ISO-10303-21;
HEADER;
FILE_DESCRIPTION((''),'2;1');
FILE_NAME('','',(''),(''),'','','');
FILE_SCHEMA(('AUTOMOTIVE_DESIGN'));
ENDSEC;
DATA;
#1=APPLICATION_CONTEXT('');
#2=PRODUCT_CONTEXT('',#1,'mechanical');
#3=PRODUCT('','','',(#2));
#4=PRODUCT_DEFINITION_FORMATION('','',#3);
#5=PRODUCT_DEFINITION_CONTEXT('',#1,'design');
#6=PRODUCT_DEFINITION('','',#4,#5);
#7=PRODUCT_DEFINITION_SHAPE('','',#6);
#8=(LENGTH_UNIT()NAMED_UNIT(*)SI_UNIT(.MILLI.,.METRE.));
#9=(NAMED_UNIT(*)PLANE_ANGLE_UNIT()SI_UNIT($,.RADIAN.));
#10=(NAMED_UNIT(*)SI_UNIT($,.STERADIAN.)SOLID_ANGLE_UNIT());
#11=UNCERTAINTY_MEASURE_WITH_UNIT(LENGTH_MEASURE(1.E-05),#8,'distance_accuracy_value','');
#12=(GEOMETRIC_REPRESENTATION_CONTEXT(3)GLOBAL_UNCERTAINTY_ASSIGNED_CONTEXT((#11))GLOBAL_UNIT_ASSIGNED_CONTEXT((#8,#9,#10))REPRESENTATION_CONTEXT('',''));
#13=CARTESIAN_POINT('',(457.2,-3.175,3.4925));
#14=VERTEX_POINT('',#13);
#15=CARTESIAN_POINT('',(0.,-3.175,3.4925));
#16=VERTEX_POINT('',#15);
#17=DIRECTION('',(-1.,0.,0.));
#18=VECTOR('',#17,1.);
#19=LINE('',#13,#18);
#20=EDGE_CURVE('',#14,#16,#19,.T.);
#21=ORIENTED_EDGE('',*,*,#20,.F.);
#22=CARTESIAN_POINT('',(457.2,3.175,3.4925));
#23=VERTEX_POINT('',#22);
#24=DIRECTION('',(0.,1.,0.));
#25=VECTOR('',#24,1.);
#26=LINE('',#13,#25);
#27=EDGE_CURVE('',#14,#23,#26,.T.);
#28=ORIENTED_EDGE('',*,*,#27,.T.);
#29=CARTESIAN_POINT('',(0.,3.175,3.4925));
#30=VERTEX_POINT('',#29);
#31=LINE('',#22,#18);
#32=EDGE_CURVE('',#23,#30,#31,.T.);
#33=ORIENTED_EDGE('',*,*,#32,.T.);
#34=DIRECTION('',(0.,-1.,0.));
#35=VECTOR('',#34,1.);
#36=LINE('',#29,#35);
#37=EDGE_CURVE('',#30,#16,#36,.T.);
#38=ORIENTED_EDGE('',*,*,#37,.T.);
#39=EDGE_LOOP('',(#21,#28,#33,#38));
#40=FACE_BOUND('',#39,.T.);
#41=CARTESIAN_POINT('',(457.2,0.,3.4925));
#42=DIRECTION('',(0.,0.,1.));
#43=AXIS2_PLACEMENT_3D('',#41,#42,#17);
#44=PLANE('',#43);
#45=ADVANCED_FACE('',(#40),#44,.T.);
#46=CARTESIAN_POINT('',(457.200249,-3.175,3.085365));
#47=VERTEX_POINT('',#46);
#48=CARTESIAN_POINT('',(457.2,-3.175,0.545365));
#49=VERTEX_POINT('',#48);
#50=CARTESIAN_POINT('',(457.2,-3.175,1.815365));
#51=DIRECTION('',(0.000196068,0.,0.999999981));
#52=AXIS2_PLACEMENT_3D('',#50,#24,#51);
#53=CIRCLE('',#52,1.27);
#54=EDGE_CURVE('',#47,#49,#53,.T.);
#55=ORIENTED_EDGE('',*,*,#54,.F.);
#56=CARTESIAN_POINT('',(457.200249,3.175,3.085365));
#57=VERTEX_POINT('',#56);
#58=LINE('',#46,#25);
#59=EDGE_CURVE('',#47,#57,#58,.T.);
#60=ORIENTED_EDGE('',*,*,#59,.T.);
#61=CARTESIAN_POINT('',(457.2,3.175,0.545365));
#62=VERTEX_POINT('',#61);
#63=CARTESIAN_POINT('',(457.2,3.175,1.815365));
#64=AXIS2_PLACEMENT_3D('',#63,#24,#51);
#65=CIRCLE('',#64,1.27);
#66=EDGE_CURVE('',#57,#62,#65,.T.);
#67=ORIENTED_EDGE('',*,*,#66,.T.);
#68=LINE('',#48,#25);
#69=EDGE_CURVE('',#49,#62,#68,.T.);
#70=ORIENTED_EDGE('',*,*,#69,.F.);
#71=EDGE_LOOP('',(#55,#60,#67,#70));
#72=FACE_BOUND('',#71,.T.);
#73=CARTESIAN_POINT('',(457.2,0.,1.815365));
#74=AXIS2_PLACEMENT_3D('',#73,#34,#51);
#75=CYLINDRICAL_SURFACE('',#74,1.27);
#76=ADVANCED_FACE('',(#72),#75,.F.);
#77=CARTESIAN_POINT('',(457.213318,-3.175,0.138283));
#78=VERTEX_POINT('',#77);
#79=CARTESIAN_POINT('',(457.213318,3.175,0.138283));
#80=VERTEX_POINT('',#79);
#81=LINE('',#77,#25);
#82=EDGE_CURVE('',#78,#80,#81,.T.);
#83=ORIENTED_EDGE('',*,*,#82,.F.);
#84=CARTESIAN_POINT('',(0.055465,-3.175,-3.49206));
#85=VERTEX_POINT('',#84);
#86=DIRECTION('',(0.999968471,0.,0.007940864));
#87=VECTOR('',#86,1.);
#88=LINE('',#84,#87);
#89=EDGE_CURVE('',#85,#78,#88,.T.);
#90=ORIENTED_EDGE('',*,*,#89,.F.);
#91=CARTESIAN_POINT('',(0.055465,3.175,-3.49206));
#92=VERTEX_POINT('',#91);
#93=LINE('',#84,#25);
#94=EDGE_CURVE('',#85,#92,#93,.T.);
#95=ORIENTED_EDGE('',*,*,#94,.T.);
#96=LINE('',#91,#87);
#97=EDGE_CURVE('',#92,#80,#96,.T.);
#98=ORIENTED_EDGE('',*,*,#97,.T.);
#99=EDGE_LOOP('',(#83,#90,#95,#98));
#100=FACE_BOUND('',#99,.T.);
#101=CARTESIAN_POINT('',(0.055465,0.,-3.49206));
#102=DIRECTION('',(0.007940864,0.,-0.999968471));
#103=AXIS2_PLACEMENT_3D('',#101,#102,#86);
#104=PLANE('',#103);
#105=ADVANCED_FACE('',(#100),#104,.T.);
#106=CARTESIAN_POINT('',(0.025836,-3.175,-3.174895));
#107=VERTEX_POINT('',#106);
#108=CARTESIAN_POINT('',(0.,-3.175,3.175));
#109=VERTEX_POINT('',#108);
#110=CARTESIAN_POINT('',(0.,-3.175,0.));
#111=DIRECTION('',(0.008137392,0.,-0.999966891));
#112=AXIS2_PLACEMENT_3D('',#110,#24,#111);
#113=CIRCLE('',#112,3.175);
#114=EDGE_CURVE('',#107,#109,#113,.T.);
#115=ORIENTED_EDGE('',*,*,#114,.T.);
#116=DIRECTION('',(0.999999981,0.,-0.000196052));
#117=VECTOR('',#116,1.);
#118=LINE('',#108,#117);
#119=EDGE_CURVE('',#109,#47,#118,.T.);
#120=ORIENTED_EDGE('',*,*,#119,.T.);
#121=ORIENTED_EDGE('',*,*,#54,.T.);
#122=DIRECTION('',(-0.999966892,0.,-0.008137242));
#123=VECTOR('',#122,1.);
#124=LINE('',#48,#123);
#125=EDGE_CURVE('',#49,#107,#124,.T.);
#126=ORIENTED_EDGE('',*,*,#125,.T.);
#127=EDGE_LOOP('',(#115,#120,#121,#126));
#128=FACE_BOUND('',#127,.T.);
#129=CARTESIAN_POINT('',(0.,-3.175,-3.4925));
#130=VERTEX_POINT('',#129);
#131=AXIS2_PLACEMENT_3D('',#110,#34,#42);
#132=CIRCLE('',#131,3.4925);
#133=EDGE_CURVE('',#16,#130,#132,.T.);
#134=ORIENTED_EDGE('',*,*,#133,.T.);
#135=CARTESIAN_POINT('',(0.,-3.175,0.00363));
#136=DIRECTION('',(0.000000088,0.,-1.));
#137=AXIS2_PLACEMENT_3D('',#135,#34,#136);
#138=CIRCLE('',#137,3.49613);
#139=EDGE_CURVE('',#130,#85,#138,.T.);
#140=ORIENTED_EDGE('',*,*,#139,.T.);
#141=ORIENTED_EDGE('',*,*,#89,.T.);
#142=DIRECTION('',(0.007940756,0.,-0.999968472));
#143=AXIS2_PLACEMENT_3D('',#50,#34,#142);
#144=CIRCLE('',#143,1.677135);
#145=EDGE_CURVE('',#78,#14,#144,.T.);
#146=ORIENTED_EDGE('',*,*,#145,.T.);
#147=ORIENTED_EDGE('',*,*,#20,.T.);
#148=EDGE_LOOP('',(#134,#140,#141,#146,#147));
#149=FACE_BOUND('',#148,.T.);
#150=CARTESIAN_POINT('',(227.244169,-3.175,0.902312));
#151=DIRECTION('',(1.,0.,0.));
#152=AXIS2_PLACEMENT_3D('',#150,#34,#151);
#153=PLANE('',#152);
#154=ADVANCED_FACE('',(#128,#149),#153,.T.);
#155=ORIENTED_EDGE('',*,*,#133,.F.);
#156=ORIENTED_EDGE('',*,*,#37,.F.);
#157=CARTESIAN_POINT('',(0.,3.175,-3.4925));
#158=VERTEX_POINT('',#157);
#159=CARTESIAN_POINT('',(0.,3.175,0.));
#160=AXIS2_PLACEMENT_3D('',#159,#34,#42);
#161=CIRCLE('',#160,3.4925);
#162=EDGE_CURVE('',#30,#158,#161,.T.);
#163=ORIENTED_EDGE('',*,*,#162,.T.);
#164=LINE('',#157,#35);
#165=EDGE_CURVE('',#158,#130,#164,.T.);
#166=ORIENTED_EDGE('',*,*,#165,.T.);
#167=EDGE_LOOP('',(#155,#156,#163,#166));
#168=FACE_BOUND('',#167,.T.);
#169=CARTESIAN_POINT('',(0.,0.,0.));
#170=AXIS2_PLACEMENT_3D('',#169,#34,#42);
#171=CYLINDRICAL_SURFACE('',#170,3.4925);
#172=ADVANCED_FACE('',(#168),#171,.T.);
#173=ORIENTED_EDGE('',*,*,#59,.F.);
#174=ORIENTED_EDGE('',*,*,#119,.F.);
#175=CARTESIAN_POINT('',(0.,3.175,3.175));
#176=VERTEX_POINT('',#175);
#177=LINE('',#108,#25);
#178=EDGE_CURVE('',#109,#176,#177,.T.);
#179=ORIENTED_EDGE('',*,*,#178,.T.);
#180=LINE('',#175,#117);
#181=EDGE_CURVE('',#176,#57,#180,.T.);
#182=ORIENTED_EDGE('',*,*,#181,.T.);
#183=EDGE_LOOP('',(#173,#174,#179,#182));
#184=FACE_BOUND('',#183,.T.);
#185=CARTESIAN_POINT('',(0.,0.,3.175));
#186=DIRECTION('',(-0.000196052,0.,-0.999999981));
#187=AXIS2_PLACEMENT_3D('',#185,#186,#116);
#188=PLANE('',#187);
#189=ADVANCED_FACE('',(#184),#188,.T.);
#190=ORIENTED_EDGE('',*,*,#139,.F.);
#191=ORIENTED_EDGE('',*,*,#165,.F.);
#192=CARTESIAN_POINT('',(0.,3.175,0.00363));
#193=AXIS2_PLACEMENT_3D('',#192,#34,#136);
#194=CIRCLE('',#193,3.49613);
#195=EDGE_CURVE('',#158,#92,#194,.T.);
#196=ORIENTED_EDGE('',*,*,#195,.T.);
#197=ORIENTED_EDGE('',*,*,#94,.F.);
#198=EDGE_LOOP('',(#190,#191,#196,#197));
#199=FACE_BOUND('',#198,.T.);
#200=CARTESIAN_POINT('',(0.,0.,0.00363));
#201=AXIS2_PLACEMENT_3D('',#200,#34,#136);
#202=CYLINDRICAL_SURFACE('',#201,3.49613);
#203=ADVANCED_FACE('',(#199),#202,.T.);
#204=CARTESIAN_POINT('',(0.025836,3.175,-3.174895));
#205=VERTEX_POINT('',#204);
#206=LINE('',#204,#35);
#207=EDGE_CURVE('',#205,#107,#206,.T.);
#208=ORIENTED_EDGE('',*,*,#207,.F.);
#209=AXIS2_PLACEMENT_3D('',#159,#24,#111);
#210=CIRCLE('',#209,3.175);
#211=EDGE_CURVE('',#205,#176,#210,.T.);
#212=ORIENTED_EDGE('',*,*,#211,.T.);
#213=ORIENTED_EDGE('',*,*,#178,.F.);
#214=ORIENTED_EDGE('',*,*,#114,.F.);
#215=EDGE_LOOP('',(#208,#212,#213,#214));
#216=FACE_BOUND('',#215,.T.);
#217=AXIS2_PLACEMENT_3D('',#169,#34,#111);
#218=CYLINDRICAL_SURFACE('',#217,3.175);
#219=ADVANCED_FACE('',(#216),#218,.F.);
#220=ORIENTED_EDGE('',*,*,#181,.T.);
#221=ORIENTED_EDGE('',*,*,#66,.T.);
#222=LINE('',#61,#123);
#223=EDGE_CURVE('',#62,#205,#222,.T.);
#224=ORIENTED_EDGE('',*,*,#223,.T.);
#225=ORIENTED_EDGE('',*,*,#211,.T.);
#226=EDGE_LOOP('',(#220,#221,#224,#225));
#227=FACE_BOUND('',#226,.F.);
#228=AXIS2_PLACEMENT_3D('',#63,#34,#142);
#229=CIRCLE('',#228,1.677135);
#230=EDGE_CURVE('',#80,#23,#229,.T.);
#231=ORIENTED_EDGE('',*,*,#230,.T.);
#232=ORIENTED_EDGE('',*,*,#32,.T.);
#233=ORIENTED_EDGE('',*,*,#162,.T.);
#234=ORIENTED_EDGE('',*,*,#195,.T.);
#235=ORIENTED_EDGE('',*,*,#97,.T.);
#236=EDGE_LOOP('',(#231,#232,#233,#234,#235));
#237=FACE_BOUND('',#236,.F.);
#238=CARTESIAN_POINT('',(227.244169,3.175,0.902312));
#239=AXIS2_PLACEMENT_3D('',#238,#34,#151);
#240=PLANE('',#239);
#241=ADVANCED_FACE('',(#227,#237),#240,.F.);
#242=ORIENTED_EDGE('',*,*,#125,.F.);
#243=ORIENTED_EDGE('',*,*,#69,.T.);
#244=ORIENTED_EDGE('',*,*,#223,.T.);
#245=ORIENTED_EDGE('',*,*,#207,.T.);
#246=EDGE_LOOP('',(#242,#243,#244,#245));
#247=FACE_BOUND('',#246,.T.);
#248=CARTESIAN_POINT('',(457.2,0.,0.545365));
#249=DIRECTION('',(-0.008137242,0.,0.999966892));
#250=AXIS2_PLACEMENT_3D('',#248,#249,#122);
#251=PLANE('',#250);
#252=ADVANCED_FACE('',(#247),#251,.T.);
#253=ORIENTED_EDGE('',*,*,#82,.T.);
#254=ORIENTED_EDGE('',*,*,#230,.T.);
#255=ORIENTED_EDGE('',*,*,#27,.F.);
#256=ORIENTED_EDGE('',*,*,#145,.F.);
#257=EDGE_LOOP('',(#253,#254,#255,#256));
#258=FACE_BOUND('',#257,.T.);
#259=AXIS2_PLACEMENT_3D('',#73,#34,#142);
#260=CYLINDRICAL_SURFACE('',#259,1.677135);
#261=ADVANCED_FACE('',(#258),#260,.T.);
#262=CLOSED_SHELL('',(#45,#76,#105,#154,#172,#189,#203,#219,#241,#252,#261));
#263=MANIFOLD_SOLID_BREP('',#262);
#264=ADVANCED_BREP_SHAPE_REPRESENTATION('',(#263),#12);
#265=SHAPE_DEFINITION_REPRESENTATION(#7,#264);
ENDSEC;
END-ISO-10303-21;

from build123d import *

# Parameters (mm, degrees)
F1_DEPTH = 3.175


with BuildPart() as f1:
    # F0 (on Front) → F1 (new body, symmetric)
    with BuildSketch(Plane.XZ):
        with BuildLine():
            Line((457.2, 3.4925), (0, 3.4925))
            ThreePointArc((0, 3.4925), (-3.4925, 0), (0, -3.4925))
            ThreePointArc((0, -3.4925), (0.027733, -3.49239), (0.055465, -3.49206))
            Line((0.055465, -3.49206), (457.213318, 0.138283))
            ThreePointArc((457.213318, 0.138283), (458.877122, 1.822024), (457.2, 3.4925))
        make_face()
        with BuildLine():
            ThreePointArc((0.025836, -3.174895), (-3.174974, -0.012918), (0, 3.175))
            Line((0, 3.175), (457.200249, 3.085365))
            ThreePointArc((457.200249, 3.085365), (458.47, 1.81524), (457.2, 0.545365))
            Line((457.2, 0.545365), (0.025836, -3.174895))
        make_face(mode=Mode.SUBTRACT)
    extrude(amount=F1_DEPTH, both=True)


solid = f1.part
